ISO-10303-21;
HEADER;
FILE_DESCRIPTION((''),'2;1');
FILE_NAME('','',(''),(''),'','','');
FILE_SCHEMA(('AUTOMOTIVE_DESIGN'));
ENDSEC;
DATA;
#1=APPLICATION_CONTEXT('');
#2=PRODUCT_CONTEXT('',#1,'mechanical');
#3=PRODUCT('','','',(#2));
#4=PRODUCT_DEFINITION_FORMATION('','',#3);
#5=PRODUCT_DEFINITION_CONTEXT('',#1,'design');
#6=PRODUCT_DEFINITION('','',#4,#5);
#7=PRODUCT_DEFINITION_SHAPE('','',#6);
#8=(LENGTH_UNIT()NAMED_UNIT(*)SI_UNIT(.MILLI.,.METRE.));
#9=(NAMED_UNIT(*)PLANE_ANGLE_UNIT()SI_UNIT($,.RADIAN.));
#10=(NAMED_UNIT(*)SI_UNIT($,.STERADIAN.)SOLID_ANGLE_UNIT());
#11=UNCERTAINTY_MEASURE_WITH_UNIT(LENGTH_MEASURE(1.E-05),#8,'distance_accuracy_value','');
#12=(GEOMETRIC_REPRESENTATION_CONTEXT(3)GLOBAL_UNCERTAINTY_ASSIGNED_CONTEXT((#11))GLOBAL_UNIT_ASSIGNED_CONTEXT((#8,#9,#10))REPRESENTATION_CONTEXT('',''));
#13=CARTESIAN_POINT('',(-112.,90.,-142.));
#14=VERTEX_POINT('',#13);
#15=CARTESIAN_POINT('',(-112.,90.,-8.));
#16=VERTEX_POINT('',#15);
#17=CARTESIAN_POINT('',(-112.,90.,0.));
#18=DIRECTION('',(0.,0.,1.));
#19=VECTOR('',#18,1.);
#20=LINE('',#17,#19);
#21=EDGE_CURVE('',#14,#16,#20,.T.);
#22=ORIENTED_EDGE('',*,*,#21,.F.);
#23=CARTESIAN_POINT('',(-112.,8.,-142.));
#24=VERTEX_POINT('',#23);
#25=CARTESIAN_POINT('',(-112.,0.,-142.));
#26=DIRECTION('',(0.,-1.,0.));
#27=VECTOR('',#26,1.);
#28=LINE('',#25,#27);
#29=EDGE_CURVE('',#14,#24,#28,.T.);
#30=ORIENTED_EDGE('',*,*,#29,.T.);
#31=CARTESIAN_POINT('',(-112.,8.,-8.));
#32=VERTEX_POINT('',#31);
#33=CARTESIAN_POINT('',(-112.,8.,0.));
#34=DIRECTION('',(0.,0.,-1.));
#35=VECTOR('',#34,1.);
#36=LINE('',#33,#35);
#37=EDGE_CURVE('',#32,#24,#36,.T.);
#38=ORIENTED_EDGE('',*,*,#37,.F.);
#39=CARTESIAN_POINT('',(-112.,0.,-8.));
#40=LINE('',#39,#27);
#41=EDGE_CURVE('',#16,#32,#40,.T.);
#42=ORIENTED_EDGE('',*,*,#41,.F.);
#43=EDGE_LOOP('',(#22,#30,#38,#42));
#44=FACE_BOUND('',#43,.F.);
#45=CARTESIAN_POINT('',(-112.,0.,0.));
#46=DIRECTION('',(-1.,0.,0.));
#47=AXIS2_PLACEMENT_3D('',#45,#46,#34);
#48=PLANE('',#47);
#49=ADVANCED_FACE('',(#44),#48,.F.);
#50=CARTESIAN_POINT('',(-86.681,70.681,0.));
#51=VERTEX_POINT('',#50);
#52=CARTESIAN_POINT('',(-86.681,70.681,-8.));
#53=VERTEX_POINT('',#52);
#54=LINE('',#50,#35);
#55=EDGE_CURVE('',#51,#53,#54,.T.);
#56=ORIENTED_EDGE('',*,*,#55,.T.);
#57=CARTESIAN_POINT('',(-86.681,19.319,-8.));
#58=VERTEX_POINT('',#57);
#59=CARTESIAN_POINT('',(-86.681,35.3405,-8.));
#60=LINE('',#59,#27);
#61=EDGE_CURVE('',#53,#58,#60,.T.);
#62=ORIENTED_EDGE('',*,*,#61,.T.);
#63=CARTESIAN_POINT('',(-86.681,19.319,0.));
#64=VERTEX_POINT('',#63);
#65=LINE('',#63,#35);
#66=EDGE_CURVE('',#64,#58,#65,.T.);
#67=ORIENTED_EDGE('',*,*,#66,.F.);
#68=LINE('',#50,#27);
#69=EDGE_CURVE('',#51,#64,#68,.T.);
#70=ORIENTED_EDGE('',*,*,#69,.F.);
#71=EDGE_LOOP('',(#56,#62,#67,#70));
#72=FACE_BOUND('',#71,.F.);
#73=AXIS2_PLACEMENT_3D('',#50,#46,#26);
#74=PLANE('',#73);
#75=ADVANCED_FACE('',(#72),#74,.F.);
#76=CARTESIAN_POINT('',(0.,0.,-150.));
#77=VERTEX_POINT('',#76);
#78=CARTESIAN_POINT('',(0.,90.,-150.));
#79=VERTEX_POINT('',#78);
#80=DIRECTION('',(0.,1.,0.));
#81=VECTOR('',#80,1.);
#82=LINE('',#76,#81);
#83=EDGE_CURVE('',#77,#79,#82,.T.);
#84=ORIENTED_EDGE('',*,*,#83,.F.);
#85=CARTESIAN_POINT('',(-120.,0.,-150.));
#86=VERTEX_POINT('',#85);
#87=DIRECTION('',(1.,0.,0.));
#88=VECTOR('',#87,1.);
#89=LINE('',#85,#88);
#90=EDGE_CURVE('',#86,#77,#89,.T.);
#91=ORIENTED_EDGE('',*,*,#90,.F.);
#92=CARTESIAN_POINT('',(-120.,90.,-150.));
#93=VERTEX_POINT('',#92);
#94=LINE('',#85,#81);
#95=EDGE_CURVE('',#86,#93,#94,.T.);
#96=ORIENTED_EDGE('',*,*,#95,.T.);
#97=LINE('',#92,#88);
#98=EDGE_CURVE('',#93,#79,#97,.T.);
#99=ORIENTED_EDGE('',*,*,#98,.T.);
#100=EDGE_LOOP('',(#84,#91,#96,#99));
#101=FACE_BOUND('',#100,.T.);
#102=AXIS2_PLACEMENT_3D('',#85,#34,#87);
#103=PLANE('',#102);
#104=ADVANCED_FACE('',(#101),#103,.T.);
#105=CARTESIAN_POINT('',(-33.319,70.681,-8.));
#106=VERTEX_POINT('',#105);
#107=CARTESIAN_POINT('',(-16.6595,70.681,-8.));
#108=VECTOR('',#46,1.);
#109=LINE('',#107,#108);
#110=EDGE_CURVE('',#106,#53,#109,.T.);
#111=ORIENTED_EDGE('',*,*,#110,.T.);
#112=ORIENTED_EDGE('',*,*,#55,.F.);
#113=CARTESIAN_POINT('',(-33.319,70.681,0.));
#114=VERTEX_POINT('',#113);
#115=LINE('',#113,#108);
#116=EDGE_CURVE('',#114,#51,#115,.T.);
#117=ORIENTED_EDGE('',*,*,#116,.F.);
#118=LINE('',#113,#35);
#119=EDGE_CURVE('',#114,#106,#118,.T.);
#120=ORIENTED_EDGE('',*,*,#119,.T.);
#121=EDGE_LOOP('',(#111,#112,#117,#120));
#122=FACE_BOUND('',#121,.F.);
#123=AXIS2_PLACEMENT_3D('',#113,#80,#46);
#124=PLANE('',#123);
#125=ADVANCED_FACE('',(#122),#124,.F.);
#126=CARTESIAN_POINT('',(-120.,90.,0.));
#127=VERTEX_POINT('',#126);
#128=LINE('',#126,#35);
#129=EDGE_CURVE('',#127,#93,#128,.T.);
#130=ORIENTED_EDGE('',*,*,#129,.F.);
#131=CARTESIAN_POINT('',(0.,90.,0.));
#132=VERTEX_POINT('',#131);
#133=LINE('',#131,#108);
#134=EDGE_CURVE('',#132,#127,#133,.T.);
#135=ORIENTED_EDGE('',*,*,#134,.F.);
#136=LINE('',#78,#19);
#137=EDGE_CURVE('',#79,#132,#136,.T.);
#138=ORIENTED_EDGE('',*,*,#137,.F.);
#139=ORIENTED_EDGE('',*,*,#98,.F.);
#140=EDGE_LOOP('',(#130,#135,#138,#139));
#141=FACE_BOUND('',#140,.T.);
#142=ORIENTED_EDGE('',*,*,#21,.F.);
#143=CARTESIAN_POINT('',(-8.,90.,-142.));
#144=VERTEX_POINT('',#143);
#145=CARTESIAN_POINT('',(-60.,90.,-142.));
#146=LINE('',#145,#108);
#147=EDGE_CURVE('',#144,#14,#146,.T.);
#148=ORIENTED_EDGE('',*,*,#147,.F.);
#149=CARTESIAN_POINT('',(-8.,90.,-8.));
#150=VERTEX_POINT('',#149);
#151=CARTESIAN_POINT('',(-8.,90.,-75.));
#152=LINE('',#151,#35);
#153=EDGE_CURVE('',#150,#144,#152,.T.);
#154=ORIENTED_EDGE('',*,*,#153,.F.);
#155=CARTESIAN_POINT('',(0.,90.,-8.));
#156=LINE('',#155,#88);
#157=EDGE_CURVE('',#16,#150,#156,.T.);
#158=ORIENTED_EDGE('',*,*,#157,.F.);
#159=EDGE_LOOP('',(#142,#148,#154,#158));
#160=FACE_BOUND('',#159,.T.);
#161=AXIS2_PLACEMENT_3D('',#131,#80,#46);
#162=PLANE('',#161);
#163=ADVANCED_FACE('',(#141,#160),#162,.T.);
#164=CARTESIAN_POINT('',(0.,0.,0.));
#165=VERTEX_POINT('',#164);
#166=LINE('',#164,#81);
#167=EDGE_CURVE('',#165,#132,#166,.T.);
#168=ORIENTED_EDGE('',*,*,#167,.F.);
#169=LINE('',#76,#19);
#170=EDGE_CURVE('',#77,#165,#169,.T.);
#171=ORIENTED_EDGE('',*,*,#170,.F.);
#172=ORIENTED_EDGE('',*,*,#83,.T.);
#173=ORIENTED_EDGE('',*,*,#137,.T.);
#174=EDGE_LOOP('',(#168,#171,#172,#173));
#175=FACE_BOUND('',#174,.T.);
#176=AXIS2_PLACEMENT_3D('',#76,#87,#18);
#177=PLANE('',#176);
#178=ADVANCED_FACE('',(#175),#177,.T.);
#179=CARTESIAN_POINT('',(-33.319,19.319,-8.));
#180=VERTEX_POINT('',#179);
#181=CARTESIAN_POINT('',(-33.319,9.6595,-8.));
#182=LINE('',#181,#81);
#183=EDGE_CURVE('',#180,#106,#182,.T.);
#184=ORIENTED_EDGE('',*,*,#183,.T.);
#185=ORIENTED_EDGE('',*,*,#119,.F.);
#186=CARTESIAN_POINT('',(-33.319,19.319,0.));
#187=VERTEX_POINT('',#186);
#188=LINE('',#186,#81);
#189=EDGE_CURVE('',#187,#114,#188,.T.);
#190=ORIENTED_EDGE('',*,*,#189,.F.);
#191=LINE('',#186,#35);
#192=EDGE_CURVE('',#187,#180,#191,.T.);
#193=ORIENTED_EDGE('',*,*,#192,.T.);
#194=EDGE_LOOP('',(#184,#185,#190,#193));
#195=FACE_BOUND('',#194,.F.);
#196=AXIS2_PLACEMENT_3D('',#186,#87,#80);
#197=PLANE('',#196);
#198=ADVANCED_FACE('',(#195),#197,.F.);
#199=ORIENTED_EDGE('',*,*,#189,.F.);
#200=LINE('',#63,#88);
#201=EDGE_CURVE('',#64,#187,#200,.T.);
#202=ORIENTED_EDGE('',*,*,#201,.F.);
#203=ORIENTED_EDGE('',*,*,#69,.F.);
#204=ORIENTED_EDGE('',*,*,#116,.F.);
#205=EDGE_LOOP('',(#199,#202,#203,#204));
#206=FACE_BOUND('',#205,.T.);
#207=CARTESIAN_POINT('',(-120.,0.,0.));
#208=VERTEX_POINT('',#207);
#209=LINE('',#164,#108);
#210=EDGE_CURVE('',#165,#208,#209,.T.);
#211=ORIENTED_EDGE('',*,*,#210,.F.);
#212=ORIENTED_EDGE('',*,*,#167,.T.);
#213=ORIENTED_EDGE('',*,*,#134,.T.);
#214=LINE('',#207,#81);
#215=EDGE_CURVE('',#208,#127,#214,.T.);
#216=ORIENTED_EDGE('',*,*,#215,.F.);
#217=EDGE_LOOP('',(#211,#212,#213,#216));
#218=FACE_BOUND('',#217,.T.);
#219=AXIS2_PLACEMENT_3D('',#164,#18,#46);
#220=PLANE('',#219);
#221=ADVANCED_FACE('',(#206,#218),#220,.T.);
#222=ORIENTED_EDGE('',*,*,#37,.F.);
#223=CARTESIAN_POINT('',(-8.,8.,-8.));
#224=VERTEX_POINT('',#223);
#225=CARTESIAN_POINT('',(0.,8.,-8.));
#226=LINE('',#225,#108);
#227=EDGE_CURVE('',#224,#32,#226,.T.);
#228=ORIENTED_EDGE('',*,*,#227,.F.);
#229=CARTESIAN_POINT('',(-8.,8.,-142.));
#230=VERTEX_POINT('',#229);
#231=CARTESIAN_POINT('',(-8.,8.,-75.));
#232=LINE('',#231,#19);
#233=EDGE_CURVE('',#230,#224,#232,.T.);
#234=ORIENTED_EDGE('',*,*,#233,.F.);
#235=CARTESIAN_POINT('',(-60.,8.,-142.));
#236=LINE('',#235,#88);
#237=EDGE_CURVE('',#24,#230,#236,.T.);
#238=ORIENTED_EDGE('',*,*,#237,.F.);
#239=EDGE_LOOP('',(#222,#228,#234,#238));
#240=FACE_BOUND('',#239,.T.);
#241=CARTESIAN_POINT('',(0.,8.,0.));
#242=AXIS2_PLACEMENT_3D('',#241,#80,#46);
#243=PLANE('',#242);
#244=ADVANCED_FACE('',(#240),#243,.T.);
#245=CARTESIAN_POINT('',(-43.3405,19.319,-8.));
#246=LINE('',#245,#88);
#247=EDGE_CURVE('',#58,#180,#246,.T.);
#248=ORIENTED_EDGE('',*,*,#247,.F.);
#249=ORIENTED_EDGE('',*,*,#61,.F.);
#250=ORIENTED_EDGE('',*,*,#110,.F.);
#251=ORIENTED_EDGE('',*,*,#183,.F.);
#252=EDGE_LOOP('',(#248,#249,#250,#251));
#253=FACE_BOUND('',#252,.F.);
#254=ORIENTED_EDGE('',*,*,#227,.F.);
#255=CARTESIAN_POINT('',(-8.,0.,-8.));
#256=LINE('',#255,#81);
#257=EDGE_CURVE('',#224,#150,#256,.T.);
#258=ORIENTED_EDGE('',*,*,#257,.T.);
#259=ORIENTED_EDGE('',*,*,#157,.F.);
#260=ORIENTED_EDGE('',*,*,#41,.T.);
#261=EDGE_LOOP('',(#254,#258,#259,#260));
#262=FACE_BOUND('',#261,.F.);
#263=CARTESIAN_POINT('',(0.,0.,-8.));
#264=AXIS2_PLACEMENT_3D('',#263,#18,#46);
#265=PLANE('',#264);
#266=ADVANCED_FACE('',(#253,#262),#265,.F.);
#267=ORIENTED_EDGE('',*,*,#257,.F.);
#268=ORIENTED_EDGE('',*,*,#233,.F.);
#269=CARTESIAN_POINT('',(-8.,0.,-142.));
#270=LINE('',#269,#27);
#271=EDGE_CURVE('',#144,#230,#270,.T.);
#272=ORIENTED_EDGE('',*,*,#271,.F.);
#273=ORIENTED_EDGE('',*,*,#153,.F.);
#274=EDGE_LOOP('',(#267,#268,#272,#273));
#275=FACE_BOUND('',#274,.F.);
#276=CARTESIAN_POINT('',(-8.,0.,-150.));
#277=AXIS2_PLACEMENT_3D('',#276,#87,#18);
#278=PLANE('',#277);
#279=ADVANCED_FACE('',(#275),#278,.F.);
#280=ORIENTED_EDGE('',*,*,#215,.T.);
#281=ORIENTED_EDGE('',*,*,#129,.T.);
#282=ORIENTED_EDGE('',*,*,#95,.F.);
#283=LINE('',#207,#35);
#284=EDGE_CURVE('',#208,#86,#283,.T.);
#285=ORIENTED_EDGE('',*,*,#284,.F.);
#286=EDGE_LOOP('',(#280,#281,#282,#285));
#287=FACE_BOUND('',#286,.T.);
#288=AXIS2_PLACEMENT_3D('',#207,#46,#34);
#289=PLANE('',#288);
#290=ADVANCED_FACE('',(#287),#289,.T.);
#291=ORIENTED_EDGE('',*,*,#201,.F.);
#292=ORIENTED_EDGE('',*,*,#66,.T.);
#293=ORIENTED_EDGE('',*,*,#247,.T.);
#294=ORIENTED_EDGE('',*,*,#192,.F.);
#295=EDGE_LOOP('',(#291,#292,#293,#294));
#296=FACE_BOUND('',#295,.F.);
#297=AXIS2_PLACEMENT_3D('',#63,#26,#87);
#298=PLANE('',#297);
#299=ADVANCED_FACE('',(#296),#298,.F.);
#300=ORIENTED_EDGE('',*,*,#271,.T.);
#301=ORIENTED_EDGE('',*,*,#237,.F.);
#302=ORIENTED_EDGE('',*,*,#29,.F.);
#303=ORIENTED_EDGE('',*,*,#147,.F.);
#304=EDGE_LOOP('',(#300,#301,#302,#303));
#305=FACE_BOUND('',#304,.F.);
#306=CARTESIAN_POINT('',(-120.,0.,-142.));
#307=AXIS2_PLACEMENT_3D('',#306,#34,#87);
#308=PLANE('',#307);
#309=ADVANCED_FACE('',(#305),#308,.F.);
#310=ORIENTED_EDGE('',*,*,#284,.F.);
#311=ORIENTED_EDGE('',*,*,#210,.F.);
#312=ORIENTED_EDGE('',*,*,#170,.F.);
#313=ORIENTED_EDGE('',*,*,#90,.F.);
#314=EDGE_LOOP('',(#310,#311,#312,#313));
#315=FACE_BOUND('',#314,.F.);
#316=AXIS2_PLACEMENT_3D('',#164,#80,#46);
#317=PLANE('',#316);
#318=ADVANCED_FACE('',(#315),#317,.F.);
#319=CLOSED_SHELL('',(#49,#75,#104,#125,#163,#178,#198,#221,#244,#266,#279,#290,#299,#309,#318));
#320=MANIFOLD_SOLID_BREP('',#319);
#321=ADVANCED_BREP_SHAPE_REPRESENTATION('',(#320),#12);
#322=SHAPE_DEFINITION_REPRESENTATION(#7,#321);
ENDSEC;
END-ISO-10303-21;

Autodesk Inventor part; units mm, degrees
ref_plane "YZ Plane" through (0, 0, 0) normal (1, 0, 0) x (0, 1, 0)
ref_plane "XZ Plane" through (0, 0, 0) normal (0, 1, 0) x (-1, 0, 0)
ref_plane "XY Plane" through (0, 0, 0) normal (0, 0, 1) x (1, 0, 0)
sketch "Sketch1" plane through (0, 0, 0) normal (0, 1, 0) x (-1, 0, 0)
  line L0 (0, 0) -> (120, 0)
  line L1 (120, 0) -> (120, -150)
  line L2 (120, -150) -> (0, -150)
  line L3 (0, -150) -> (0, 0)
  dimension "d0" = 120
  dimension "d1" = 150
extrude "Extrusion1" add sketch "Sketch1" along normal blind 90
shell "Shell1" thickness 8 removed faces 1 at (-80, 90, -100)
sketch "Sketch2" plane through (-120, 0, 0) normal (0, 0, 1) x (1, 0, 0)
  line L0 (120, 0) -> (0, 0) projected
  line L1 (0, 0) -> (0, 90) projected
  line L2 (86.681, 70.681) -> (33.319, 70.681)
  line L3 (33.319, 70.681) -> (33.319, 19.319)
  line L4 (33.319, 19.319) -> (86.681, 19.319)
  line L5 (86.681, 19.319) -> (86.681, 70.681)
  line L6 (86.681, 70.681) -> (33.319, 19.319) construction
  line L7 (33.319, 70.681) -> (86.681, 19.319) construction
  dimension "d5" = 53.362
  dimension "d6" = 51.362
extrude "Extrusion2" cut sketch "Sketch2" against normal blind 80
properties part number "case"
